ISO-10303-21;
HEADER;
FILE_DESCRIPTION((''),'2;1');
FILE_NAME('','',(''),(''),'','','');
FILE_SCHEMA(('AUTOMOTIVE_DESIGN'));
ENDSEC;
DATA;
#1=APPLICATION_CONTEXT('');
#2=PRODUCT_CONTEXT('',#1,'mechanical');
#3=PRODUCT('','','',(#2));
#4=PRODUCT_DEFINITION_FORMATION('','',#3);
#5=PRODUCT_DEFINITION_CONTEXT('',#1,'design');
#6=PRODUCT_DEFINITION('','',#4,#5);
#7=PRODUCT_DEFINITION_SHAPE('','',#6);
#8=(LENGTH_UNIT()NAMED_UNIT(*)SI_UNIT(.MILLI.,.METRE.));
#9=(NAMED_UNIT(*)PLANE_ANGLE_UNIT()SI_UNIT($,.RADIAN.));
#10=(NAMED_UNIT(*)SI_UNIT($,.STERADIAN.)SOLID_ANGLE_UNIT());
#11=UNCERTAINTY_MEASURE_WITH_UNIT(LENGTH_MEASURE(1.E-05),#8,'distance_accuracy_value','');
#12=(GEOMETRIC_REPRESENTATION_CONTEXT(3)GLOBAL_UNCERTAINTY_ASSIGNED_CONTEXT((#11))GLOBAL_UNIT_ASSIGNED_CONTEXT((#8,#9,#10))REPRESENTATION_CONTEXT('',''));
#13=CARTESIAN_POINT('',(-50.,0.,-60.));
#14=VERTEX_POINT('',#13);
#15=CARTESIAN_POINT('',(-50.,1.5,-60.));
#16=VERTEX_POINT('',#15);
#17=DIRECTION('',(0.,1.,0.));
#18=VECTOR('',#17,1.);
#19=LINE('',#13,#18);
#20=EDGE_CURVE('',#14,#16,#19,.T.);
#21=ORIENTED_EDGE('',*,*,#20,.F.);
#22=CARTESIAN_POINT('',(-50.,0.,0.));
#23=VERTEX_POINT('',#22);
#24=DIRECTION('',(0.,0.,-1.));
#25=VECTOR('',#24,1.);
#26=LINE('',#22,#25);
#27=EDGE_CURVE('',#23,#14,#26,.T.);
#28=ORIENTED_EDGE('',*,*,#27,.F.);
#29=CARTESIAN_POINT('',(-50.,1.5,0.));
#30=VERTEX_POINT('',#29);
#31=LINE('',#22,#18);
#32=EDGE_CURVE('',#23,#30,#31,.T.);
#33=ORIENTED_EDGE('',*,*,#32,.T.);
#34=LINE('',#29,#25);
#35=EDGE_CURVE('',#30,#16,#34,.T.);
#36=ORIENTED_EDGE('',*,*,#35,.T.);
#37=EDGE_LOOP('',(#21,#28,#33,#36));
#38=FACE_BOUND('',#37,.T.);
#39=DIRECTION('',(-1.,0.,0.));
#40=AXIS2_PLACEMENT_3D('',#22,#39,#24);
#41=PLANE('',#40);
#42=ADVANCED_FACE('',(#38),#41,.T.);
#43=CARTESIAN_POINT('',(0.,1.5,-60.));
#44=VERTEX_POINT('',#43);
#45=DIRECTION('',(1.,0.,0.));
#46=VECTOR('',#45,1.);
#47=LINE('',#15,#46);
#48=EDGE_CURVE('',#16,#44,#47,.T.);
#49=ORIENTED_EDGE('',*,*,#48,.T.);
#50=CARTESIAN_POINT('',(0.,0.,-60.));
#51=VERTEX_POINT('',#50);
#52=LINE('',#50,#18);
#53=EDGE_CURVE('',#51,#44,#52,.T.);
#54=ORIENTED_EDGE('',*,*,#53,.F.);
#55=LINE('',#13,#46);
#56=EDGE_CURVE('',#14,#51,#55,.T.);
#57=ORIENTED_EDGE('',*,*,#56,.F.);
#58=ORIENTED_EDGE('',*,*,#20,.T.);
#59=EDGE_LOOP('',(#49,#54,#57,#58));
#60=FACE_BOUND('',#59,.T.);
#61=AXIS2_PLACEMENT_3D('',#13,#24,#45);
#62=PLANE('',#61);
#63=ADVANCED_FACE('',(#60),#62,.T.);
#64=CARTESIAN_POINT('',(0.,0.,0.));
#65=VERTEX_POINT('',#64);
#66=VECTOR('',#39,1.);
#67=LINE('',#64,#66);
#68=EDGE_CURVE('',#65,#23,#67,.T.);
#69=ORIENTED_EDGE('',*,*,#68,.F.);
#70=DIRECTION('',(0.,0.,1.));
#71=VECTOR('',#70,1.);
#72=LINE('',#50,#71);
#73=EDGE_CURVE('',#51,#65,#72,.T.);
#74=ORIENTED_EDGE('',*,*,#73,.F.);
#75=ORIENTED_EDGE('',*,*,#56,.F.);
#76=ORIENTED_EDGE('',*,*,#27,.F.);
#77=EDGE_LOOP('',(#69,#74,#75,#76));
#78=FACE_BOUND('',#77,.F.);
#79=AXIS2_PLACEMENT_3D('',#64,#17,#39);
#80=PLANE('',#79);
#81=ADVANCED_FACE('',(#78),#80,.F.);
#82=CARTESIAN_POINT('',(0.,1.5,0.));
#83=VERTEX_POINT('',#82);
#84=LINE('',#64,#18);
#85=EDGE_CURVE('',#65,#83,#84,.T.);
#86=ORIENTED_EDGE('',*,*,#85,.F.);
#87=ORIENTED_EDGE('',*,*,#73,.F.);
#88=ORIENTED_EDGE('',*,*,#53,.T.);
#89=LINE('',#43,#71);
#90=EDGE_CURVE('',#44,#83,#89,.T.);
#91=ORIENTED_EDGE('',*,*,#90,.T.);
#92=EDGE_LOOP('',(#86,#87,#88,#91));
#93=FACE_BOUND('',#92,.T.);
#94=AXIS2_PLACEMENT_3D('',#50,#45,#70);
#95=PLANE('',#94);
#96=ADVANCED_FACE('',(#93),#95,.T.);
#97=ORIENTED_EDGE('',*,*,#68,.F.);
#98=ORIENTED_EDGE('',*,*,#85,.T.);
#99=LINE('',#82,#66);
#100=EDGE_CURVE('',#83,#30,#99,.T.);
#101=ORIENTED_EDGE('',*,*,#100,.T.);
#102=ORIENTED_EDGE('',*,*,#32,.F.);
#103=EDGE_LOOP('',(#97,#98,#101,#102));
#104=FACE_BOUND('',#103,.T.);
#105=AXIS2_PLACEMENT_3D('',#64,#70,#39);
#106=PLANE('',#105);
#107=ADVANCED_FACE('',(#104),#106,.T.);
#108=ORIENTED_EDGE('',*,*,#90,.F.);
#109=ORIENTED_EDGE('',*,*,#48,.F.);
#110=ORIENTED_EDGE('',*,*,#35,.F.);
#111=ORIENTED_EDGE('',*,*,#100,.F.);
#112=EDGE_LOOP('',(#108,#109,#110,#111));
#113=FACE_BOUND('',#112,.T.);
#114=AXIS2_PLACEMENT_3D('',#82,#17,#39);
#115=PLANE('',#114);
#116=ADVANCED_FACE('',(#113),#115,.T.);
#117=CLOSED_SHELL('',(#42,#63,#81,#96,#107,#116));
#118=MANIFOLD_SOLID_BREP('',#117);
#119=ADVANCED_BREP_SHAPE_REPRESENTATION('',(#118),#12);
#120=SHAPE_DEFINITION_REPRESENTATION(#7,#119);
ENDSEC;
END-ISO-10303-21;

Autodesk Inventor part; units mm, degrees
ref_plane "YZ Plane" through (0, 0, 0) normal (1, 0, 0) x (0, 1, 0)
ref_plane "XZ Plane" through (0, 0, 0) normal (0, 1, 0) x (-1, 0, 0)
ref_plane "XY Plane" through (0, 0, 0) normal (0, 0, 1) x (1, 0, 0)
sketch "Sketch1" plane through (0, 0, 0) normal (0, 1, 0) x (-1, 0, 0)
  line L0 (0, 0) -> (50, 0)
  line L1 (50, 0) -> (50, -60)
  line L2 (50, -60) -> (0, -60)
  line L3 (0, -60) -> (0, 0)
  dimension "d0" = 50
  dimension "d1" = 60
extrude "Extrusion1" add sketch "Sketch1" along normal blind 1.5
properties part number "pcb prueba"
